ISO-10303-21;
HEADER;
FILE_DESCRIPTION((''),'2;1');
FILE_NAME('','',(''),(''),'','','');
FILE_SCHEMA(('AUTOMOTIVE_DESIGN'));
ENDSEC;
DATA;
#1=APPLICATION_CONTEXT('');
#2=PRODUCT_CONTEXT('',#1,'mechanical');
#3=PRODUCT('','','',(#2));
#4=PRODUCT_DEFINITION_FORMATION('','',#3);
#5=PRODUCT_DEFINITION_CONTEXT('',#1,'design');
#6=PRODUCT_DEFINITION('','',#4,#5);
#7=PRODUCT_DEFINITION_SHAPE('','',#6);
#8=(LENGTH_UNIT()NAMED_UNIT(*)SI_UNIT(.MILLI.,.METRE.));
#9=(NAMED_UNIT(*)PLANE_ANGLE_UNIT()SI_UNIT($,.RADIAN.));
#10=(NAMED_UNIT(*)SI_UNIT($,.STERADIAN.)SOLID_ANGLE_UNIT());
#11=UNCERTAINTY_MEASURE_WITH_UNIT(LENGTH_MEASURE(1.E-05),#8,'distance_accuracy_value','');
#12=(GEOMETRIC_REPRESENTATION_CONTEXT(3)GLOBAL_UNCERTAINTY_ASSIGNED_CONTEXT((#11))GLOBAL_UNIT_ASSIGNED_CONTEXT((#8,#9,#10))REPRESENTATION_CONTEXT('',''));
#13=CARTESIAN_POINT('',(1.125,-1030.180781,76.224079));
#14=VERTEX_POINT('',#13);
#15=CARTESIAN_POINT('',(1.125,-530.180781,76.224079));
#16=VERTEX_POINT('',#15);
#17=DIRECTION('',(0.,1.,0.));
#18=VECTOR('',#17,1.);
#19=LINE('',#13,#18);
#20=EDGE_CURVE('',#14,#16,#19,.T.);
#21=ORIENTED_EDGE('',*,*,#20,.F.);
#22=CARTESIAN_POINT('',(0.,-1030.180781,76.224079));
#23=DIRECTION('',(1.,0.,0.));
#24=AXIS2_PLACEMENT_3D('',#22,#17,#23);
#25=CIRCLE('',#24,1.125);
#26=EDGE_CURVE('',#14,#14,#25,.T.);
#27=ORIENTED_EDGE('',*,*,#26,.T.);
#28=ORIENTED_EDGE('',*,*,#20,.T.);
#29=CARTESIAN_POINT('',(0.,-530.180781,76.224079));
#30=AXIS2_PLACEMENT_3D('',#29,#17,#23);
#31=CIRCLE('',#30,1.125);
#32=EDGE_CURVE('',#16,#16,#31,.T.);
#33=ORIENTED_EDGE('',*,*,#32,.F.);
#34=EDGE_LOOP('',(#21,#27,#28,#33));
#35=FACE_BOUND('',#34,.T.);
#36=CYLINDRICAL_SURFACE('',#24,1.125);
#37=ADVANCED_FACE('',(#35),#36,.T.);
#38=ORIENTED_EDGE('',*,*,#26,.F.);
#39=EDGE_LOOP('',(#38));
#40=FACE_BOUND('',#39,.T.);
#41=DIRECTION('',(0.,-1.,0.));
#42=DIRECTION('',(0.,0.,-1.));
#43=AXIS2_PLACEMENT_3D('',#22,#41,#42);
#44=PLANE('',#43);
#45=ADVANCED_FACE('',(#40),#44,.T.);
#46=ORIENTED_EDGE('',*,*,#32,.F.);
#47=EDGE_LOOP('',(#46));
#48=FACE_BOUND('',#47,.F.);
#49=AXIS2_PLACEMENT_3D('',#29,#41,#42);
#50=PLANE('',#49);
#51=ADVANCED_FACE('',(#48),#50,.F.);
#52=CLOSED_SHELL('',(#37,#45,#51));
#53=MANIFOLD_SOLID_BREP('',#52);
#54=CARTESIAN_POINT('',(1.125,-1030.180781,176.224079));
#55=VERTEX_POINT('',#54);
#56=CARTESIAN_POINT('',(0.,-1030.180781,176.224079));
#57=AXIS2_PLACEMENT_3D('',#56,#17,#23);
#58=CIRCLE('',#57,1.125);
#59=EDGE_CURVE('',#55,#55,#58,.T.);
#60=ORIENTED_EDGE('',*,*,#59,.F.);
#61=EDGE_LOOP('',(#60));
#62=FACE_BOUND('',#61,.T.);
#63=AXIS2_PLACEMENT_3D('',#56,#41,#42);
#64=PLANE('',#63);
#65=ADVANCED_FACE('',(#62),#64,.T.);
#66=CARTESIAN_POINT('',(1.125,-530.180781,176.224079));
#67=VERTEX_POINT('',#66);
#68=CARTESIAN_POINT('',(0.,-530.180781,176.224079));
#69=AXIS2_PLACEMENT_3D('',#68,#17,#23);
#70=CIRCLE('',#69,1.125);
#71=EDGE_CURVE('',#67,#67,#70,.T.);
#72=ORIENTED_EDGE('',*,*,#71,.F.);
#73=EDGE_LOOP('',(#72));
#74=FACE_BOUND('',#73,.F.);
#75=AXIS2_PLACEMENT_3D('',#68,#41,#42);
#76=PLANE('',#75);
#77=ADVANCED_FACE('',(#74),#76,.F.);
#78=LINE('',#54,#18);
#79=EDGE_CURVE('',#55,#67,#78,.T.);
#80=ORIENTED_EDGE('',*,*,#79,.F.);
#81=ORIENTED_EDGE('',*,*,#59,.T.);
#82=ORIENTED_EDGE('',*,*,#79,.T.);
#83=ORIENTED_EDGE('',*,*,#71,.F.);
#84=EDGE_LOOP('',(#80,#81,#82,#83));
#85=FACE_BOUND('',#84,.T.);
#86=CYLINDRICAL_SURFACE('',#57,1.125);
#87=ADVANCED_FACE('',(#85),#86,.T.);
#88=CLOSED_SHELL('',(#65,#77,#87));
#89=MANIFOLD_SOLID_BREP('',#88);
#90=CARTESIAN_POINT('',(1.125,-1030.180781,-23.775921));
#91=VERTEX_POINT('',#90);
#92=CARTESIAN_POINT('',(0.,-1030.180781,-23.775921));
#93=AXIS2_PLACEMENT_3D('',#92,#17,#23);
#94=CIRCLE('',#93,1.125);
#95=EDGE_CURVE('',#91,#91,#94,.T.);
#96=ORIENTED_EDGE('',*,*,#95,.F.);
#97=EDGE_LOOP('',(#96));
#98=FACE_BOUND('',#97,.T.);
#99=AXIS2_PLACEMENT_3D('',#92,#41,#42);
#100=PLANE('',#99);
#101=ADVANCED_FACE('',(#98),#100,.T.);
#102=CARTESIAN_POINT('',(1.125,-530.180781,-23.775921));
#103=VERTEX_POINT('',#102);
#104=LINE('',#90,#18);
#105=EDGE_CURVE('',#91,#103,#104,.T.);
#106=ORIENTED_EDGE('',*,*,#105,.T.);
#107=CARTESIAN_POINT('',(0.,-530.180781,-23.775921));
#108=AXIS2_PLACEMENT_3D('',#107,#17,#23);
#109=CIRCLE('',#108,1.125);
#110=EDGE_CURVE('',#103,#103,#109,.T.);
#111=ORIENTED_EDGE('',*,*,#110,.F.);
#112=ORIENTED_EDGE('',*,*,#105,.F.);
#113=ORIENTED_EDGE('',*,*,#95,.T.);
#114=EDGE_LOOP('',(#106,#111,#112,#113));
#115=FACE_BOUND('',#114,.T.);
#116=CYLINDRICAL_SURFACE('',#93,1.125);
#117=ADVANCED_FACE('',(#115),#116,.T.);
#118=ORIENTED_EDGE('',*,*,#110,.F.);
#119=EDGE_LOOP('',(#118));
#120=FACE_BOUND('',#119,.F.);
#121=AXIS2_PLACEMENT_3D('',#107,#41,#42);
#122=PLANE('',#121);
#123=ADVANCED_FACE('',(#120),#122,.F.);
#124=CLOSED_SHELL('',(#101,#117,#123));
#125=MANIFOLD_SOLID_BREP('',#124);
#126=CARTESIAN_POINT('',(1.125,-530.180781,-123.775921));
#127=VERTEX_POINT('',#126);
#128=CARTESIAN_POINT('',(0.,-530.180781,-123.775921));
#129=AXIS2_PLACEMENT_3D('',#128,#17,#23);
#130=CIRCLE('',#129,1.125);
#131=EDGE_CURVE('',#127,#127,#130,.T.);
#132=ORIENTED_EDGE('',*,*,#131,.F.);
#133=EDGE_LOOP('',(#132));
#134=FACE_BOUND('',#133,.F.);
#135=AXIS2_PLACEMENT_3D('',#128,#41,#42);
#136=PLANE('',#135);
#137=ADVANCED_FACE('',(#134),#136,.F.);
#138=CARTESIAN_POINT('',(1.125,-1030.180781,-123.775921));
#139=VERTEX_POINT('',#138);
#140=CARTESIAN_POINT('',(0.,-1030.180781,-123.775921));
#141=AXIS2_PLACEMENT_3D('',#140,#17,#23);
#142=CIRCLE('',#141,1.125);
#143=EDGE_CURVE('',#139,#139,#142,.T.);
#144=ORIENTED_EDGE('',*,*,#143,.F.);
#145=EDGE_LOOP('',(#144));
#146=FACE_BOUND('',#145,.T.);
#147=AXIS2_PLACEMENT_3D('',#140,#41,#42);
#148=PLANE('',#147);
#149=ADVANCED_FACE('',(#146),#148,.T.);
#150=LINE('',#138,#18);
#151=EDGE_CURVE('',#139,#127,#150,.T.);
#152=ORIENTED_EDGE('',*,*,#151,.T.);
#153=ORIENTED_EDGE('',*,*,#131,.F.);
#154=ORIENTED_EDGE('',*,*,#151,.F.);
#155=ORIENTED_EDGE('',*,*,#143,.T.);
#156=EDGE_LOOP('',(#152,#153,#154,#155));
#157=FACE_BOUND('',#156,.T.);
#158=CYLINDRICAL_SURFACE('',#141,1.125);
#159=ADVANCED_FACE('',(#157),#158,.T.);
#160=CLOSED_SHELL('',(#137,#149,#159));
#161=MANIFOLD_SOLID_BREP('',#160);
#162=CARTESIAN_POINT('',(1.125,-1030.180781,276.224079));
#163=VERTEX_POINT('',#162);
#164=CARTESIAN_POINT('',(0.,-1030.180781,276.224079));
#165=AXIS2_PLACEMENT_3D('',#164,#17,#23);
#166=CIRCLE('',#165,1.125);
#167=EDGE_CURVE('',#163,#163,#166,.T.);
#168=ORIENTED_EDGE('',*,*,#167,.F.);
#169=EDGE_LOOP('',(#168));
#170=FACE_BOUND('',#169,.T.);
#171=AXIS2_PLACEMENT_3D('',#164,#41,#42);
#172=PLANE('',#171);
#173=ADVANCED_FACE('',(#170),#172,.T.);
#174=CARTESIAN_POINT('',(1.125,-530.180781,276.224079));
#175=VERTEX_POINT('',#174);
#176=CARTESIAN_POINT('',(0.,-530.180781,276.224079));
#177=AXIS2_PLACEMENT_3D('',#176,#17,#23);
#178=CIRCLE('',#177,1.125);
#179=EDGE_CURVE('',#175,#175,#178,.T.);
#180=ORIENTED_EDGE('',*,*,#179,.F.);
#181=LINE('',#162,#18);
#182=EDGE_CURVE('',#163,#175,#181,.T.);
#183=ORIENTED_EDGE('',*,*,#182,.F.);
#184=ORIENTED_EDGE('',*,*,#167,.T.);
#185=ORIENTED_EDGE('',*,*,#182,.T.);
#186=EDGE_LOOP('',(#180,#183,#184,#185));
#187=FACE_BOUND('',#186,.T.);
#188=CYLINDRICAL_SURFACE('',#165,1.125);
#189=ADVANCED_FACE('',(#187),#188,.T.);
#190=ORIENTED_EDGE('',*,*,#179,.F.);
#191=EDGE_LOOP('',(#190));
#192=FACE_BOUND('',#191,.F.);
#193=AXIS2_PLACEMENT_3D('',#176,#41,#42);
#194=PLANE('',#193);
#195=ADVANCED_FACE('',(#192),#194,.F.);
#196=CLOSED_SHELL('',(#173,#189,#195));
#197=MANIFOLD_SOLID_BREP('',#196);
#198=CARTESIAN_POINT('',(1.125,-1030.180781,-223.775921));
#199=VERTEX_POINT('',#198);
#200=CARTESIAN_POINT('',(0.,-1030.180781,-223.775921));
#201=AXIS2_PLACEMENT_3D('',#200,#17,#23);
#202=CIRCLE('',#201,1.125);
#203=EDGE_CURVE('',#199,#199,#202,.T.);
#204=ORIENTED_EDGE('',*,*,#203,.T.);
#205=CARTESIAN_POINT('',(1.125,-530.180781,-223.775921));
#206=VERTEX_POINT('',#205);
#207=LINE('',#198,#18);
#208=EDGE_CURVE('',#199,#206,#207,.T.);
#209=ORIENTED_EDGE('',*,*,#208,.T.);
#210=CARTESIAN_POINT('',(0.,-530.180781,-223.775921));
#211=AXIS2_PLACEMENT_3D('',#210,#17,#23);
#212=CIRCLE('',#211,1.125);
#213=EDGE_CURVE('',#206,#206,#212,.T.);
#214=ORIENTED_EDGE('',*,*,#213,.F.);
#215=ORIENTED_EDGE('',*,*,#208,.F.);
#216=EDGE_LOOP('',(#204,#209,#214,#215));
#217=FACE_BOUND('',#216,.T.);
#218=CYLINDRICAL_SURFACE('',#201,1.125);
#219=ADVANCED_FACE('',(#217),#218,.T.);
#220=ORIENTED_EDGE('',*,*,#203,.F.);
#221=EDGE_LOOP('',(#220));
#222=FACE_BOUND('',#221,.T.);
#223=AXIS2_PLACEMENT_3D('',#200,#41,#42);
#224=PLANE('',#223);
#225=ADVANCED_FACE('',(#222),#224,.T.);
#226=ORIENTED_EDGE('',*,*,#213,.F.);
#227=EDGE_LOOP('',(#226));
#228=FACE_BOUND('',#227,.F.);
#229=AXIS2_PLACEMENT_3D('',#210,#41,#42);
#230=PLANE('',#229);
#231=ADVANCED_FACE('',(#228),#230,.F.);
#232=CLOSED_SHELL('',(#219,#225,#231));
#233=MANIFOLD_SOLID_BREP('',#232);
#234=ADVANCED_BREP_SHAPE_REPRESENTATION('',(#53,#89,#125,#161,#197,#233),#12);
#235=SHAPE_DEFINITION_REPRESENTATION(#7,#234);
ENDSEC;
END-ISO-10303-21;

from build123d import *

# Parameters (mm, degrees)
F2_R = 1.125


with BuildPart() as f3:
    # F3: sweep along a path in F0
    with BuildLine(Plane.YZ) as f3_path:
        Line((-1030.1807813505, 76.2240788737), (-530.1807813505, 76.2240788737))
    # F2 (on plane+point) → F3 (sweep)
    with BuildSketch(Plane.XZ.offset(530.1807813505)):
        with Locations((0, 76.2240788737)):
            Circle(F2_R)
    sweep(path=f3_path.line)

    # F4: sweep along a path in F0
    with BuildLine(Plane.YZ) as f4_path:
        Line((-1030.1807813505, 276.2240788737), (-530.1807813505, 276.2240788737))
    # F2 (on plane+point) → F4 (sweep)
    with BuildSketch(Plane.XZ.offset(530.1807813505)):
        with Locations((0, 276.2240788737)):
            Circle(F2_R)
        with Locations((0, 176.2240788737)):
            Circle(F2_R)
        with Locations((0, 76.2240788737)):
            Circle(F2_R)
        with Locations((0, -23.7759211263)):
            Circle(F2_R)
        with Locations((0, -123.7759211263)):
            Circle(F2_R)
        with Locations((0, -223.7759211263)):
            Circle(F2_R)
    sweep(path=f4_path.line)


solid = f3.part
